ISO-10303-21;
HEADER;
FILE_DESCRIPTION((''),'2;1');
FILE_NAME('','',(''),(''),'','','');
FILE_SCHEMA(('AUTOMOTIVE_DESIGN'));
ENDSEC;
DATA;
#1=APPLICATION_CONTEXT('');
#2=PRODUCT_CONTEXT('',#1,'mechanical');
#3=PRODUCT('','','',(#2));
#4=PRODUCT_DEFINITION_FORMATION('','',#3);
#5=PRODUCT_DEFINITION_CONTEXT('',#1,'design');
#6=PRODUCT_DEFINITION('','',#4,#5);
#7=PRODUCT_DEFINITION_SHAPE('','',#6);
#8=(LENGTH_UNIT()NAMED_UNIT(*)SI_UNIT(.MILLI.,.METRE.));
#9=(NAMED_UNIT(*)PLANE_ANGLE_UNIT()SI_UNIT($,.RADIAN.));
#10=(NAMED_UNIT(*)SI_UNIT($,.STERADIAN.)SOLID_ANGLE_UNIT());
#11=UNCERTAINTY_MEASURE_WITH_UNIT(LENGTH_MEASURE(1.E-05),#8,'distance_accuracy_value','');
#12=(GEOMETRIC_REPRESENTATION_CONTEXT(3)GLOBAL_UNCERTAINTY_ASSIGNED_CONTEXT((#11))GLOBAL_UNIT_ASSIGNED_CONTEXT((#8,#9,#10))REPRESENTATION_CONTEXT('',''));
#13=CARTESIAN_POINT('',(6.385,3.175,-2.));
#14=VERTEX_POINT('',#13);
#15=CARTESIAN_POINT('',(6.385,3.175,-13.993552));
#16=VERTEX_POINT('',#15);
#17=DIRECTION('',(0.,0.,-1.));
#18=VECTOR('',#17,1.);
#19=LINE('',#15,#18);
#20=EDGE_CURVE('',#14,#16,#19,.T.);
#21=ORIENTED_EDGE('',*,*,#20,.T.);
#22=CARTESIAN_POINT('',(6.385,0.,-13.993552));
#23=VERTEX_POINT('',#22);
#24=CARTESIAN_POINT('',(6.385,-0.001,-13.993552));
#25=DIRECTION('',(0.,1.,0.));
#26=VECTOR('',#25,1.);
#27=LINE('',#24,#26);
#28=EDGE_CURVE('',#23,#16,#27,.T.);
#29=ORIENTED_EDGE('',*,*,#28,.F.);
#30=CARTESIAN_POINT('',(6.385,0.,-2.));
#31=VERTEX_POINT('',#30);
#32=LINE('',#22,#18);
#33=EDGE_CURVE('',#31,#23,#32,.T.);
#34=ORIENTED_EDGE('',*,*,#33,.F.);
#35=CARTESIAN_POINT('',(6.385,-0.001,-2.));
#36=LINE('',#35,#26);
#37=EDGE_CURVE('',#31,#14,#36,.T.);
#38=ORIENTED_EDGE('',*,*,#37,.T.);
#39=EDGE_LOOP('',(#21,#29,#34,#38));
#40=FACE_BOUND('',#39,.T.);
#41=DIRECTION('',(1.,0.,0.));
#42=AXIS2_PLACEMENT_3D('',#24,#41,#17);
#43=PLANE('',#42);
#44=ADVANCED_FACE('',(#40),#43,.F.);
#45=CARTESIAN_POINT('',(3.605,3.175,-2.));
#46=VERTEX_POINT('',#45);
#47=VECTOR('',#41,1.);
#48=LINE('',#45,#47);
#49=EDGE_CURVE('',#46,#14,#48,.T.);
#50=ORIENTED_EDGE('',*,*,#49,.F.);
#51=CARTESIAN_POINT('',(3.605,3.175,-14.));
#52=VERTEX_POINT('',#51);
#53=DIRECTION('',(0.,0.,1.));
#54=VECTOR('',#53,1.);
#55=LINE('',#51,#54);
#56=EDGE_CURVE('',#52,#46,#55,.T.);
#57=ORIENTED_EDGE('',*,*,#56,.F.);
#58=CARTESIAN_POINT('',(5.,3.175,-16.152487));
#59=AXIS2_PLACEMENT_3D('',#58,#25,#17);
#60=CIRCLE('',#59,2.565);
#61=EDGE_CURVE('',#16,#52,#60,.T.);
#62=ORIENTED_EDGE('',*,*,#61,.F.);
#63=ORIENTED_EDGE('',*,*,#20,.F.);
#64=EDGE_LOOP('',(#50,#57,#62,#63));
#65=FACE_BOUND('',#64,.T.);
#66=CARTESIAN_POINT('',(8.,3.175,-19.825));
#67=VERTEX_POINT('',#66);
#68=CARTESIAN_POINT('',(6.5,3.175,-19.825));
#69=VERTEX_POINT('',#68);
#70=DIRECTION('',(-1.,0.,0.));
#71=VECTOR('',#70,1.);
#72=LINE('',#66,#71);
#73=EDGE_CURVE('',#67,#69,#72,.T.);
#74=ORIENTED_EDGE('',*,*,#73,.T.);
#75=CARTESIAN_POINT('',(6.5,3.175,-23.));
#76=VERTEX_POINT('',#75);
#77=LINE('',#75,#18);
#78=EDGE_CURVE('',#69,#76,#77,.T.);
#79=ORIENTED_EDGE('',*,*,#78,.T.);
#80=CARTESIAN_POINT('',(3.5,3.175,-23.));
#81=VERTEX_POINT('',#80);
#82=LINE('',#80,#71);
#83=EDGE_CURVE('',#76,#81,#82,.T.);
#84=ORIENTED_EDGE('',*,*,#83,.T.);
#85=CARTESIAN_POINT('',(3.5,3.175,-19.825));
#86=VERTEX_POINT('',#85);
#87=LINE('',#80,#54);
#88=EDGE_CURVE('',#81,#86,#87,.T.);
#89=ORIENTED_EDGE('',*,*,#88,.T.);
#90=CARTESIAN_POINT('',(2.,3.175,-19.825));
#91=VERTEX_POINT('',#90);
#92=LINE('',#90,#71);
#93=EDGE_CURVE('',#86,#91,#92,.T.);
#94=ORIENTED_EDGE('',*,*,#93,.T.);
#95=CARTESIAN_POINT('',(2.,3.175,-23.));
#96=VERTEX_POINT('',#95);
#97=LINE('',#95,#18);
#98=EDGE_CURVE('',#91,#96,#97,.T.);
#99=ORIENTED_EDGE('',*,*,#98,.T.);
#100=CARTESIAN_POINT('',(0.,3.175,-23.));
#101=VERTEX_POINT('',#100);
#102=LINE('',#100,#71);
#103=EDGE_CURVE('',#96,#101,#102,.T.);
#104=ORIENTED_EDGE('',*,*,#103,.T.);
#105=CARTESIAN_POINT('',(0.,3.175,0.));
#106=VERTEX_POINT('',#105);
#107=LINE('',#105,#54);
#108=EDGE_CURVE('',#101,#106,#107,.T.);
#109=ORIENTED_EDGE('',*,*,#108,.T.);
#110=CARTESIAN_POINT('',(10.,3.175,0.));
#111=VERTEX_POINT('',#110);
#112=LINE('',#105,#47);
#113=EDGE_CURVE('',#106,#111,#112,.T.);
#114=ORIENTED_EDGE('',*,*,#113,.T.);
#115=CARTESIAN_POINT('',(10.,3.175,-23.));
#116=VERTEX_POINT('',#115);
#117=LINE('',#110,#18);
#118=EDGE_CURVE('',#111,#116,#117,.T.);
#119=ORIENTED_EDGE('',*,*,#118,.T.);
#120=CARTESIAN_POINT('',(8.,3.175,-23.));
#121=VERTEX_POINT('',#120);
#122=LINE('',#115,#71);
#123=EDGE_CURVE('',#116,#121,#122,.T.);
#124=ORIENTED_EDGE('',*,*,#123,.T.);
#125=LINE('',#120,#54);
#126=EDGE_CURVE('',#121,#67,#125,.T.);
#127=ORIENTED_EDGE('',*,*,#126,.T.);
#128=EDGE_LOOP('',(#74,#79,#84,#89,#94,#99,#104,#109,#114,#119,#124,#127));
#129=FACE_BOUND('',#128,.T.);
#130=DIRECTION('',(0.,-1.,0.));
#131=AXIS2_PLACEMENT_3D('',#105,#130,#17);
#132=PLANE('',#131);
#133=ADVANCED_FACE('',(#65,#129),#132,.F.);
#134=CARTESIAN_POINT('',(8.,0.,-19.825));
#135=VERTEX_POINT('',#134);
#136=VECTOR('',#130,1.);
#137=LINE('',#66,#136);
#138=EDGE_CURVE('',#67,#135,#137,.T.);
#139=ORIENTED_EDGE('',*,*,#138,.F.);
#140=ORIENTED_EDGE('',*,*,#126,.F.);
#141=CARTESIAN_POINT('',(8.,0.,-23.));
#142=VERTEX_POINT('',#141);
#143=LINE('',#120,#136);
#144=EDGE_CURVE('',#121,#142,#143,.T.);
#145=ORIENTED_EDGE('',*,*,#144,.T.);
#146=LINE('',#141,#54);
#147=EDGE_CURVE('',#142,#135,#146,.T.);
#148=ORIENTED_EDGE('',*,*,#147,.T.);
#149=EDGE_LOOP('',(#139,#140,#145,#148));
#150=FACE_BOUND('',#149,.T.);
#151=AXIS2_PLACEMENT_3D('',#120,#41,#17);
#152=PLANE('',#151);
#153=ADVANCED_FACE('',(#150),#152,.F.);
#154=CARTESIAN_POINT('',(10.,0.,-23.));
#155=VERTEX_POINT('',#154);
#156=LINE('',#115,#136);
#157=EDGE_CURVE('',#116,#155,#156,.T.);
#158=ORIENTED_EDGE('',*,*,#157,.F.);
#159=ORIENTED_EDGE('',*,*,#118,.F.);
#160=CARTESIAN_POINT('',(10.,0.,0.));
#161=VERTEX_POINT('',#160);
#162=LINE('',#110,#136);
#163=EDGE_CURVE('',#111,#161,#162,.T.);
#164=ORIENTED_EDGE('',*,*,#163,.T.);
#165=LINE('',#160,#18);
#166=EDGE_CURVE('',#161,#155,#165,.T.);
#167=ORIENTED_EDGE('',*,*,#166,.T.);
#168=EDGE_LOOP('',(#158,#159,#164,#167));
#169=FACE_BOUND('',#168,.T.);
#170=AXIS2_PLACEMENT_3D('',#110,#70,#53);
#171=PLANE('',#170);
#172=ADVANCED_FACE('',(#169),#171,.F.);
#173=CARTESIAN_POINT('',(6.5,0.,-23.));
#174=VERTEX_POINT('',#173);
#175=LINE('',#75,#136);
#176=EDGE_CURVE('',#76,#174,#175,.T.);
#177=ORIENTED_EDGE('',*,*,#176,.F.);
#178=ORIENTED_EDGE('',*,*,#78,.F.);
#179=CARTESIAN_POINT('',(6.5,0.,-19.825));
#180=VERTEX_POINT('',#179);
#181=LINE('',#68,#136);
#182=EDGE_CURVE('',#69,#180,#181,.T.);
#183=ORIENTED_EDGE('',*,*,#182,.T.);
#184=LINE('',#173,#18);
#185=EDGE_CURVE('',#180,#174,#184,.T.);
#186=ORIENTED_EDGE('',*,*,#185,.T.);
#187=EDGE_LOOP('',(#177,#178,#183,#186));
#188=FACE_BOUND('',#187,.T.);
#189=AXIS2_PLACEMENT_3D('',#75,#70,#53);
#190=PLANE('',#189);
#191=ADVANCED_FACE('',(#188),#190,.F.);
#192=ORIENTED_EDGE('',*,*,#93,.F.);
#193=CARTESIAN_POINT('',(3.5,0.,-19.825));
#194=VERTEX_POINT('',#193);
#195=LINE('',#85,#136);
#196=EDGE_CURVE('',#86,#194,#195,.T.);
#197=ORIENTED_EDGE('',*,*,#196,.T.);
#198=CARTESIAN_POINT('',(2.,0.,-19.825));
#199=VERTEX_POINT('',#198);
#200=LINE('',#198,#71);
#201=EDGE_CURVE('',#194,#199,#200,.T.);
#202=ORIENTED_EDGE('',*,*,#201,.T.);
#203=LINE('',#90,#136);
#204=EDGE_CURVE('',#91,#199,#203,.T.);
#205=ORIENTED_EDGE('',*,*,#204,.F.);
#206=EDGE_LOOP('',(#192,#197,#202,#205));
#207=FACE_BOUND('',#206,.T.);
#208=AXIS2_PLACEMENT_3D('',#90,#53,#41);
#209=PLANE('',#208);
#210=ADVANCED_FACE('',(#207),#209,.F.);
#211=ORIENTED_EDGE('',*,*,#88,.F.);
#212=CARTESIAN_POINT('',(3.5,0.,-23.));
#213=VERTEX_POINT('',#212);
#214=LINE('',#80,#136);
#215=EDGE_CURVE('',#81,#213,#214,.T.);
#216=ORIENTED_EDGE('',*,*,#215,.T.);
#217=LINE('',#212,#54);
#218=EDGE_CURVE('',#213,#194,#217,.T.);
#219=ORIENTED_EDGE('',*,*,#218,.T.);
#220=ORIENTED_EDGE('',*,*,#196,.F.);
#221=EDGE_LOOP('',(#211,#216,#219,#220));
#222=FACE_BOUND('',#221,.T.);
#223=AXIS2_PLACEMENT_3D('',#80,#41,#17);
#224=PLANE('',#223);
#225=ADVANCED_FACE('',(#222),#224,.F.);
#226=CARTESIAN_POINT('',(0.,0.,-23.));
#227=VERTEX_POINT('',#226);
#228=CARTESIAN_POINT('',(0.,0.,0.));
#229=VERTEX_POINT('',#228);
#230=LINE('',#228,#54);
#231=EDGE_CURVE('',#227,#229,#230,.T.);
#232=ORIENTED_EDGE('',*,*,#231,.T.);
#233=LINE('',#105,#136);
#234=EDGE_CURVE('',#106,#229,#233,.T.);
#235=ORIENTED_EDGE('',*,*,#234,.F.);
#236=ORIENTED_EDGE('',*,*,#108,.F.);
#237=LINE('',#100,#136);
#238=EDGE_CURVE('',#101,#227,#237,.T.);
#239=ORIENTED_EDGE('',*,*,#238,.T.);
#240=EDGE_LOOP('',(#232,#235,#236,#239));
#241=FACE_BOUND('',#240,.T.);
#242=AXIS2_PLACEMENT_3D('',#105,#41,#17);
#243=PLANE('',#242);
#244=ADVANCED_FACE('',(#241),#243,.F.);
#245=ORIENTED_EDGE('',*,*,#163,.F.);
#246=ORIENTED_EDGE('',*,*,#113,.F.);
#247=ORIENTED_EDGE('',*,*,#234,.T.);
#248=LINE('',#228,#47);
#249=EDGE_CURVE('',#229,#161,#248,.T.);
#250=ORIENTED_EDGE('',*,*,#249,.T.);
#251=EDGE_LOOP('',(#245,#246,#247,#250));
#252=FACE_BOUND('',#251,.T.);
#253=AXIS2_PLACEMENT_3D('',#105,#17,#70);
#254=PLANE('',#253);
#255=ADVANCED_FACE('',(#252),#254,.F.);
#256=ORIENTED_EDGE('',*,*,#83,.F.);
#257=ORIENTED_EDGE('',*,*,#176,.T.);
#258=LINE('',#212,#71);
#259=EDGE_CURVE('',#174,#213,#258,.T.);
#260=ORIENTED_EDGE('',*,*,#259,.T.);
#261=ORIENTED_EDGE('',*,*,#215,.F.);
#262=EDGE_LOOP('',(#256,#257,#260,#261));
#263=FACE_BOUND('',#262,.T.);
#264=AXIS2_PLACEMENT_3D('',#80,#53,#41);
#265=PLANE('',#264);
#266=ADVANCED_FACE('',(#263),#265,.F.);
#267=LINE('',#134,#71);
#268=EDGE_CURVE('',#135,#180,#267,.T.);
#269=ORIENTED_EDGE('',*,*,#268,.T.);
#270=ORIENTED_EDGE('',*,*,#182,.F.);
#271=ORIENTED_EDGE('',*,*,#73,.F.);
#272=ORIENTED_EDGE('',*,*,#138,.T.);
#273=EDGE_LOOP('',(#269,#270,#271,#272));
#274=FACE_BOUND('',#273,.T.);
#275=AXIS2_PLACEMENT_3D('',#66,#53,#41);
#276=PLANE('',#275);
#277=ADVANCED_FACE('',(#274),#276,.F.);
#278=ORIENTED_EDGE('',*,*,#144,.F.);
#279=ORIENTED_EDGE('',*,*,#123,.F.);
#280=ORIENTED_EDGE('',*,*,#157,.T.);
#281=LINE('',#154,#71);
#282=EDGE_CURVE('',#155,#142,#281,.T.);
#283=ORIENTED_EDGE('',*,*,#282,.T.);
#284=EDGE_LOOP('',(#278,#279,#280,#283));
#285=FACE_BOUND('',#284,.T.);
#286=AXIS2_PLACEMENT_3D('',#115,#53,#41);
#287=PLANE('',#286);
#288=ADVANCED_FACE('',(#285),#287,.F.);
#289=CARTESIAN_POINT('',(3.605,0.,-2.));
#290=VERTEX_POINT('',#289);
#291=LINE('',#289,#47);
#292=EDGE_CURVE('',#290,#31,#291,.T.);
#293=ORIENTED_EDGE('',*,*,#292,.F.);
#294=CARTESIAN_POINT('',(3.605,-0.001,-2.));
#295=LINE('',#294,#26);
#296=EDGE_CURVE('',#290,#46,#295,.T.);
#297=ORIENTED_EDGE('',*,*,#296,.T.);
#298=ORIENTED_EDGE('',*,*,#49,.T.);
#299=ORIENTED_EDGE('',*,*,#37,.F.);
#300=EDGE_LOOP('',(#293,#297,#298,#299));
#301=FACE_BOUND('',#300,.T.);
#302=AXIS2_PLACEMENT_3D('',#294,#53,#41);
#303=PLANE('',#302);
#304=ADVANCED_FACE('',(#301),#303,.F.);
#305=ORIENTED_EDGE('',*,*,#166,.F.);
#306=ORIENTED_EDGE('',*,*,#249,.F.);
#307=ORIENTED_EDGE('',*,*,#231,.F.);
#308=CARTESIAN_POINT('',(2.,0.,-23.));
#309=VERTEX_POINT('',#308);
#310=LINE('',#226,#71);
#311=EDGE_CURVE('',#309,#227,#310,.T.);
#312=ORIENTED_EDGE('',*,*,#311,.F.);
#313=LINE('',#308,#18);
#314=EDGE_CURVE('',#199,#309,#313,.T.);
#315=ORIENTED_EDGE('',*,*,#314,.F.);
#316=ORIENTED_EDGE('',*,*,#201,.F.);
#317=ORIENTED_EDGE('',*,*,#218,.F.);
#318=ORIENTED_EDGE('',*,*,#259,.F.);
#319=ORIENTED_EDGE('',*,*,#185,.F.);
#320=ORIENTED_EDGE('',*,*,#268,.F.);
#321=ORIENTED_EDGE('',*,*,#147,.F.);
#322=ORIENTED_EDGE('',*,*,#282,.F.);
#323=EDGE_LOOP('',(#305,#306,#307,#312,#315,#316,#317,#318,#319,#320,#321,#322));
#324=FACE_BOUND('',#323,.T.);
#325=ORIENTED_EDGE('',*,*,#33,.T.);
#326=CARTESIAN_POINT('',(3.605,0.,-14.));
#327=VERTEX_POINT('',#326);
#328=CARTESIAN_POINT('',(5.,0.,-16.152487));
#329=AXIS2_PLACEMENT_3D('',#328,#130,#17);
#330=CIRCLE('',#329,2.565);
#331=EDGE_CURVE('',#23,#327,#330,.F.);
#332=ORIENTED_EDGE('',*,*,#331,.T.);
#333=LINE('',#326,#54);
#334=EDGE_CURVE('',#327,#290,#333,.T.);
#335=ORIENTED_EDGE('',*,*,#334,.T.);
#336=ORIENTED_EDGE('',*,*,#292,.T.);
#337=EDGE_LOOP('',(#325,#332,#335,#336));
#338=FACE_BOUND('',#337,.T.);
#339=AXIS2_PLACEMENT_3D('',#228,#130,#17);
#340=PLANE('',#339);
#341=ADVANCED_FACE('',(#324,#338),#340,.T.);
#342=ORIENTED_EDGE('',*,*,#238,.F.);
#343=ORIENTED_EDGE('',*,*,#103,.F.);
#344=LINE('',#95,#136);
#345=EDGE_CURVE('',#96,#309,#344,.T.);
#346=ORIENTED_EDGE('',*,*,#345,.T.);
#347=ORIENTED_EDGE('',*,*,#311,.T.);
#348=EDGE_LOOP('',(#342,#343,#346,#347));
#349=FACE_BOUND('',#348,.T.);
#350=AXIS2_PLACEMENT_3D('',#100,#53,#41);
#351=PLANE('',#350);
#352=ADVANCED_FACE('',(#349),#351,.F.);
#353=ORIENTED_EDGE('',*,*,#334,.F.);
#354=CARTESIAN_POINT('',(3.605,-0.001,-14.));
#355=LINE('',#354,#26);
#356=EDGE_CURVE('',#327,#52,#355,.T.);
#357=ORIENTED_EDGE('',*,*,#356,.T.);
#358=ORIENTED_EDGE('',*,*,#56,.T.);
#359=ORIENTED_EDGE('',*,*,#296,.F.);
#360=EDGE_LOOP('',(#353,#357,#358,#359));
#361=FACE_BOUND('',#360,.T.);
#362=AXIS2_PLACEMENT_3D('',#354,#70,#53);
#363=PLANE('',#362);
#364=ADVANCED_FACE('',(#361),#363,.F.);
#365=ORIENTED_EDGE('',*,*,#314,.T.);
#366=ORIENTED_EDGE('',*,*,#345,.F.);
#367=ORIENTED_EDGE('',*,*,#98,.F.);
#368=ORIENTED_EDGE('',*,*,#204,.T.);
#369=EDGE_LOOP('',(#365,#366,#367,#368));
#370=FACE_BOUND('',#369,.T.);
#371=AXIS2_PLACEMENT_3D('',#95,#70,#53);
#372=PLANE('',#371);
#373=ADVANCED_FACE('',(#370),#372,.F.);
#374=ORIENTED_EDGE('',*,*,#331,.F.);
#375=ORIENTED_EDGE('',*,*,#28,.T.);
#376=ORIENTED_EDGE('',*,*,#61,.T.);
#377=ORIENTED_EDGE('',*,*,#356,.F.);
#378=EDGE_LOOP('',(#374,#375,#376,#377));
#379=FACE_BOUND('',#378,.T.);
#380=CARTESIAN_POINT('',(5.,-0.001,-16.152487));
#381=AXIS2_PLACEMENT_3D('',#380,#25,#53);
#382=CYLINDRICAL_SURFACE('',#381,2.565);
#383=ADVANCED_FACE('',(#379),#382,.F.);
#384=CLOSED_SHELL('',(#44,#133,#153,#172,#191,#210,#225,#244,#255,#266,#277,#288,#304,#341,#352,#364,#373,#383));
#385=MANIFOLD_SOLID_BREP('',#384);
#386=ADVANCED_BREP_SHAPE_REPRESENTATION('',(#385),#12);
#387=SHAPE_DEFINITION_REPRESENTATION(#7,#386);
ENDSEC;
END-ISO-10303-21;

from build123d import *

# Parameters (mm, degrees)
BOSS_EXTRUDE1_DEPTH = 3.175
CUT_EXTRUDE1_REACH  = 5.175


with BuildPart() as part:
    # Sketch1 → Boss-Extrude1 (new body)
    with BuildSketch(Plane(origin=(0, 0, 0), x_dir=(1, 0, 0), z_dir=(0, 1, 0))):
        Polygon((0, 0), (10, 0), (10, 23), (8, 23), (8, 19.825), (6.5, 19.825), (6.5, 23), (3.5, 23), (3.5, 19.825), (2, 19.825), (2, 23), (0, 23), align=None)
    extrude(amount=BOSS_EXTRUDE1_DEPTH)

    # Sketch3 → Cut-Extrude1 (cut, up to next)
    with BuildSketch(Plane(origin=(0, 3.175, 0), x_dir=(1, 0, 0), z_dir=(0, 1, 0)), mode=Mode.PRIVATE) as cut_extrude1_sk1:
        with BuildLine():
            Line((3.605, 2), (6.385, 2))
            Line((6.385, 2), (6.385, 13.993552011))
            ThreePointArc((6.385, 13.993552011), (5.005949297, 18.717480034), (3.605, 14))
            Line((3.605, 14), (3.605, 2))
        make_face()
    cut_extrude1_tool1 = extrude(cut_extrude1_sk1.sketch, amount=-CUT_EXTRUDE1_REACH, mode=Mode.PRIVATE) & part.part
    add(cut_extrude1_tool1.solids().sort_by_distance((4.996868, 3.175, -11.078992))[0], mode=Mode.SUBTRACT)


solid = part.part
